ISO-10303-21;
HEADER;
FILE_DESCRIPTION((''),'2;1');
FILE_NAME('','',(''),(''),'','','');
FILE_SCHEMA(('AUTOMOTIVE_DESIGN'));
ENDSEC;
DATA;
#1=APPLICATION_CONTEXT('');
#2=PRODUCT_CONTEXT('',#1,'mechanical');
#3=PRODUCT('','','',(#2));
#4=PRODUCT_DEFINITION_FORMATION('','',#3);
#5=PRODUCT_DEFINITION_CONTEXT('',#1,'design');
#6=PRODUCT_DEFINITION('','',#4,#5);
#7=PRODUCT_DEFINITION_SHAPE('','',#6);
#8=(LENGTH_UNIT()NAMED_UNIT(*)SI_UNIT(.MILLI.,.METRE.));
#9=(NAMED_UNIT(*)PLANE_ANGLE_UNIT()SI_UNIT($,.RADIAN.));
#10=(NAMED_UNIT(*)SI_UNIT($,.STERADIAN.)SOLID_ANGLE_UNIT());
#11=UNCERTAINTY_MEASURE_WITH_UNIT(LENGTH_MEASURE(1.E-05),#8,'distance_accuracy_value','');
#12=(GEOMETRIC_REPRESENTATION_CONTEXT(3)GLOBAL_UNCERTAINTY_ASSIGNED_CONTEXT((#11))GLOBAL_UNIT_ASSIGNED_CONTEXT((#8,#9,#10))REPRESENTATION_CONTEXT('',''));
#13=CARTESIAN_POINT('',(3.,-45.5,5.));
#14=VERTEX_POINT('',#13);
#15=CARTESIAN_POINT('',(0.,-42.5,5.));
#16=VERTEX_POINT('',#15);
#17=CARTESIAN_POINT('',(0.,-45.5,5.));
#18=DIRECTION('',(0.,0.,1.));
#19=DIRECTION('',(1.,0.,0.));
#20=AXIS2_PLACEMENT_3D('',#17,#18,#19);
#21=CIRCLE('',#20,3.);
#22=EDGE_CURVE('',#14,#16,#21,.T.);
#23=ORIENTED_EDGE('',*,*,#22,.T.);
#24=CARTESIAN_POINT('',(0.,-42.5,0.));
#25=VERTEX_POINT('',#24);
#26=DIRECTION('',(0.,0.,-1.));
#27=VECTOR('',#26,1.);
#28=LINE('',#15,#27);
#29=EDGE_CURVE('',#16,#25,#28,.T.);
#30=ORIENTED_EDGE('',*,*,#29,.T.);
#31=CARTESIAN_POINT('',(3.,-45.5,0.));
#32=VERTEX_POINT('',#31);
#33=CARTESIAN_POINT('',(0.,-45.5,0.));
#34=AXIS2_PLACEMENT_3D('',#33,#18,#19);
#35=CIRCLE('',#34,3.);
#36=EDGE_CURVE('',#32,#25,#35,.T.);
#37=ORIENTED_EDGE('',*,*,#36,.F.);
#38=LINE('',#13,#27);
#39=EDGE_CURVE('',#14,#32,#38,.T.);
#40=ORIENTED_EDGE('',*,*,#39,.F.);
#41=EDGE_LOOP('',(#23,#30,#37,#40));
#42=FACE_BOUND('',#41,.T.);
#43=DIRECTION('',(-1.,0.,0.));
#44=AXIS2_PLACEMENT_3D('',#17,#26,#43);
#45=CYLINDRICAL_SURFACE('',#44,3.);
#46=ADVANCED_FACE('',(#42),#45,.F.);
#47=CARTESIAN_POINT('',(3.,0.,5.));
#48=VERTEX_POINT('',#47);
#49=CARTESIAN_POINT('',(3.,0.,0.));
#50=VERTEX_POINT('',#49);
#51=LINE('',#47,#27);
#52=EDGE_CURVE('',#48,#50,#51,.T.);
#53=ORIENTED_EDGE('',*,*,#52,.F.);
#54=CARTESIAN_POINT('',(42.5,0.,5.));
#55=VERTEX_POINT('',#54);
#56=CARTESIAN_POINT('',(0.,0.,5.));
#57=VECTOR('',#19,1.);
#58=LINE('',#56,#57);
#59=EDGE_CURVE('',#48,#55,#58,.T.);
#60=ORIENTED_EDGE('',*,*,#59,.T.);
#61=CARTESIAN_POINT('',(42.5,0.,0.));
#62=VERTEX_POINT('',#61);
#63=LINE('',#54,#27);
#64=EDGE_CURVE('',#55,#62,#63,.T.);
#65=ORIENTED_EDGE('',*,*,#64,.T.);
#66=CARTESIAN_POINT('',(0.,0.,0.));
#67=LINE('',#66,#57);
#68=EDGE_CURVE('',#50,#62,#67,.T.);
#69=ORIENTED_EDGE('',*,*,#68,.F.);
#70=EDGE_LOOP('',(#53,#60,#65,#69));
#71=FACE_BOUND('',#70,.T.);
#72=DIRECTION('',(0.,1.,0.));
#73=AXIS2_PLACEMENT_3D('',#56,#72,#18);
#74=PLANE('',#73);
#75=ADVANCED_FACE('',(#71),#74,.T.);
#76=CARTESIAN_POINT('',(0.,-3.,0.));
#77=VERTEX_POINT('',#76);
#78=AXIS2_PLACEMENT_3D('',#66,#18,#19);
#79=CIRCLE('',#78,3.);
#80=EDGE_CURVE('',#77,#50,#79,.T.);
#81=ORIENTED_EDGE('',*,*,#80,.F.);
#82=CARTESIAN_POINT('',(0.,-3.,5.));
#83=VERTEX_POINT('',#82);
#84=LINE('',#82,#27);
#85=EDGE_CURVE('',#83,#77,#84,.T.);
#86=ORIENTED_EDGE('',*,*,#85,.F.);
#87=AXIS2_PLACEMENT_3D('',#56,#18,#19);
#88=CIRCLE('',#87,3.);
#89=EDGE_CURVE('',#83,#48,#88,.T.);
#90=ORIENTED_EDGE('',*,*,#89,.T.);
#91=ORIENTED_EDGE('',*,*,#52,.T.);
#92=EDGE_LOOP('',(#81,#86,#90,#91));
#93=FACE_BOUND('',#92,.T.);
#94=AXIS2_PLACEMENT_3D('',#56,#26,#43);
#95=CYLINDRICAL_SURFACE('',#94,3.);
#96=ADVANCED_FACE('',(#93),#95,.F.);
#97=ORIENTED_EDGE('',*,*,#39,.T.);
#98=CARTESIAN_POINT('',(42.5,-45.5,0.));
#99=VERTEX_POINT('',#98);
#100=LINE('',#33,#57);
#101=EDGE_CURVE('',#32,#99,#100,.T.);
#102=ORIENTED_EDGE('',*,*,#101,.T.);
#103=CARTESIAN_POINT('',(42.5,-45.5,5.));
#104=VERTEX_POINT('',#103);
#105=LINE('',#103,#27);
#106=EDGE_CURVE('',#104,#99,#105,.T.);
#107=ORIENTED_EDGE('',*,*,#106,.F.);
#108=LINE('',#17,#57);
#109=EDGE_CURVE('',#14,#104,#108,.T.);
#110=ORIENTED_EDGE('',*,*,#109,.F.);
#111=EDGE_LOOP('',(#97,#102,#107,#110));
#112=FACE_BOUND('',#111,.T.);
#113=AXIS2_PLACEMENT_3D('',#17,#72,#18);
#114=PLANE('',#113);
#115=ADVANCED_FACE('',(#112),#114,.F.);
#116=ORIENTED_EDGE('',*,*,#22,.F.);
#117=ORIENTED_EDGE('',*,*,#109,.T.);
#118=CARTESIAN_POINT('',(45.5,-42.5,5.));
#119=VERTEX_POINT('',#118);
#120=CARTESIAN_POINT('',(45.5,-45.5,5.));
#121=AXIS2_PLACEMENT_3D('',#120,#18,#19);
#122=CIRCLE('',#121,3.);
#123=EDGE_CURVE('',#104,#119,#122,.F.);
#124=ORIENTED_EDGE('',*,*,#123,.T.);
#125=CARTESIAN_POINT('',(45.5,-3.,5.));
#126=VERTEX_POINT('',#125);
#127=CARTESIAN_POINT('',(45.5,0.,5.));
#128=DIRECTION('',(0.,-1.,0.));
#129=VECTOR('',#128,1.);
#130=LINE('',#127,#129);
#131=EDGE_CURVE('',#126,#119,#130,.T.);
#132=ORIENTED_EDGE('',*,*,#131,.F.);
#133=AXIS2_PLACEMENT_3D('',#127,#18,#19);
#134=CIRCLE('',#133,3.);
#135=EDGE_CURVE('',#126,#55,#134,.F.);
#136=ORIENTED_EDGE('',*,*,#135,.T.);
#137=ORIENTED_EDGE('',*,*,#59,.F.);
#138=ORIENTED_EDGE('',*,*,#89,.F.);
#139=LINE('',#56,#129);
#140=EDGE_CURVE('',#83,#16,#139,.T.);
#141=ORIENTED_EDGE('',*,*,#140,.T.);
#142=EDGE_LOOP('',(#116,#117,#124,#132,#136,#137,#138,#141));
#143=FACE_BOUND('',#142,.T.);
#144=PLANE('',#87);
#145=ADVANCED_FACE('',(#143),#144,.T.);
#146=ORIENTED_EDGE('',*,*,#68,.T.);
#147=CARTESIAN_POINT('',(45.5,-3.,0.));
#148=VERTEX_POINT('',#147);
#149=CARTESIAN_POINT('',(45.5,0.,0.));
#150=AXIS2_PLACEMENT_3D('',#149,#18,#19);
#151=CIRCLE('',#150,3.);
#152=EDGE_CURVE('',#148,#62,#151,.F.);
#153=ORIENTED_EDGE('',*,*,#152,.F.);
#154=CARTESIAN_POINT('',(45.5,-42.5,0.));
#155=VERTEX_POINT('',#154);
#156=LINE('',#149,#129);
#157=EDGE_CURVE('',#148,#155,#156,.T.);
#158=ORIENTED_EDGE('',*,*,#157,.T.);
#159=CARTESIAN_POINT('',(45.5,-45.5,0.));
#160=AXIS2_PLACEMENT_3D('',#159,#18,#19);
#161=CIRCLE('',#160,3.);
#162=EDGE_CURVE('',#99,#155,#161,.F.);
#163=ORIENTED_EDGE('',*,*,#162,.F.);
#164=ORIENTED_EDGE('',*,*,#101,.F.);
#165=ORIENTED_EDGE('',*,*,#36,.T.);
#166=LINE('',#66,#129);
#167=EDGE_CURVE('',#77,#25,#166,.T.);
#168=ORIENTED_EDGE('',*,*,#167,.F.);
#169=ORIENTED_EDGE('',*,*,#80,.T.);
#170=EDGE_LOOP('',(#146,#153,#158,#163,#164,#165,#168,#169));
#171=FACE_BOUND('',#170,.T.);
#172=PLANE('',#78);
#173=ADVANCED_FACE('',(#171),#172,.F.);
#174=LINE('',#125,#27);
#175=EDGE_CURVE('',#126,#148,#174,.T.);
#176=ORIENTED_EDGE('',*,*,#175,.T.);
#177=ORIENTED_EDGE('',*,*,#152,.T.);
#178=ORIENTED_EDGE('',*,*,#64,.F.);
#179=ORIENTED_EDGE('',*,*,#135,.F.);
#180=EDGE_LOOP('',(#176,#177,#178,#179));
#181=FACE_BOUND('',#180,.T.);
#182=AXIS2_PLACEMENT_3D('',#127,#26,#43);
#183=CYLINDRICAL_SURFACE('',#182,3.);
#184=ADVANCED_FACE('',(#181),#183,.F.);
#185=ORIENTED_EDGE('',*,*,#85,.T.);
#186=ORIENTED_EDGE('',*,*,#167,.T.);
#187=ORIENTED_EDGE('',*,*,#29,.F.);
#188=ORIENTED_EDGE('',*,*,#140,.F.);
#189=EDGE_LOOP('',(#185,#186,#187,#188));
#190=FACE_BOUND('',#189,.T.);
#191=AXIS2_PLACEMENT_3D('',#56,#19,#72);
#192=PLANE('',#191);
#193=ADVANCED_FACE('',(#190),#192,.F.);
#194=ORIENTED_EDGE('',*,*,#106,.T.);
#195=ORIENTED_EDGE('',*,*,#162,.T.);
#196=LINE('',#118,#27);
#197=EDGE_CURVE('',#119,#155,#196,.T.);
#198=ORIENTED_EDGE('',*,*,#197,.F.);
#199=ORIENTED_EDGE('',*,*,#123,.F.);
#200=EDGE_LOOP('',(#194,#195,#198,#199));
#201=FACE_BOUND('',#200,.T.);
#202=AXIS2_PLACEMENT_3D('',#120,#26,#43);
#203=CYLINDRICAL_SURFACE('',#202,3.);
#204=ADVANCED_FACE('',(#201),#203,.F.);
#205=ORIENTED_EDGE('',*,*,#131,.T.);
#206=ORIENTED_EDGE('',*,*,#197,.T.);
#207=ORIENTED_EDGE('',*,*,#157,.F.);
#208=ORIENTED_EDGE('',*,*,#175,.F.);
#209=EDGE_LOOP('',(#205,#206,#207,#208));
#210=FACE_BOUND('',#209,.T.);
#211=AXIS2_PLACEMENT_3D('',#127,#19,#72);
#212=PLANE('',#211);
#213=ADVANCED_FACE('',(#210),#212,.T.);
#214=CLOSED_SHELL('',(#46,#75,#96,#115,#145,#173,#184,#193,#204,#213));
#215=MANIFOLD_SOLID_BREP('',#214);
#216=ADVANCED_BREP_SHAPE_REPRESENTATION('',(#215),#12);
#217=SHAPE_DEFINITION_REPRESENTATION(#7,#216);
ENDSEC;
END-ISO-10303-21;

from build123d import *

# Parameters (mm, degrees)
BOSS_EXTRU_1_DEPTH = 5


with BuildPart() as part:
    # Esquisse1 → Boss.-Extru.1 (new body)
    with BuildSketch(Plane.XY):
        with BuildLine():
            Line((42.5, 0), (3, 0))
            ThreePointArc((3, 0), (2.121320344, -2.121320344), (0, -3))
            Line((0, -3), (0, -42.5))
            ThreePointArc((0, -42.5), (2.121320344, -43.378679656), (3, -45.5))
            Line((3, -45.5), (42.5, -45.5))
            ThreePointArc((42.5, -45.5), (43.378679656, -43.378679656), (45.5, -42.5))
            Line((45.5, -42.5), (45.5, -3))
            ThreePointArc((45.5, -3), (43.378679656, -2.121320344), (42.5, 0))
        make_face()
    extrude(amount=BOSS_EXTRU_1_DEPTH)


solid = part.part
